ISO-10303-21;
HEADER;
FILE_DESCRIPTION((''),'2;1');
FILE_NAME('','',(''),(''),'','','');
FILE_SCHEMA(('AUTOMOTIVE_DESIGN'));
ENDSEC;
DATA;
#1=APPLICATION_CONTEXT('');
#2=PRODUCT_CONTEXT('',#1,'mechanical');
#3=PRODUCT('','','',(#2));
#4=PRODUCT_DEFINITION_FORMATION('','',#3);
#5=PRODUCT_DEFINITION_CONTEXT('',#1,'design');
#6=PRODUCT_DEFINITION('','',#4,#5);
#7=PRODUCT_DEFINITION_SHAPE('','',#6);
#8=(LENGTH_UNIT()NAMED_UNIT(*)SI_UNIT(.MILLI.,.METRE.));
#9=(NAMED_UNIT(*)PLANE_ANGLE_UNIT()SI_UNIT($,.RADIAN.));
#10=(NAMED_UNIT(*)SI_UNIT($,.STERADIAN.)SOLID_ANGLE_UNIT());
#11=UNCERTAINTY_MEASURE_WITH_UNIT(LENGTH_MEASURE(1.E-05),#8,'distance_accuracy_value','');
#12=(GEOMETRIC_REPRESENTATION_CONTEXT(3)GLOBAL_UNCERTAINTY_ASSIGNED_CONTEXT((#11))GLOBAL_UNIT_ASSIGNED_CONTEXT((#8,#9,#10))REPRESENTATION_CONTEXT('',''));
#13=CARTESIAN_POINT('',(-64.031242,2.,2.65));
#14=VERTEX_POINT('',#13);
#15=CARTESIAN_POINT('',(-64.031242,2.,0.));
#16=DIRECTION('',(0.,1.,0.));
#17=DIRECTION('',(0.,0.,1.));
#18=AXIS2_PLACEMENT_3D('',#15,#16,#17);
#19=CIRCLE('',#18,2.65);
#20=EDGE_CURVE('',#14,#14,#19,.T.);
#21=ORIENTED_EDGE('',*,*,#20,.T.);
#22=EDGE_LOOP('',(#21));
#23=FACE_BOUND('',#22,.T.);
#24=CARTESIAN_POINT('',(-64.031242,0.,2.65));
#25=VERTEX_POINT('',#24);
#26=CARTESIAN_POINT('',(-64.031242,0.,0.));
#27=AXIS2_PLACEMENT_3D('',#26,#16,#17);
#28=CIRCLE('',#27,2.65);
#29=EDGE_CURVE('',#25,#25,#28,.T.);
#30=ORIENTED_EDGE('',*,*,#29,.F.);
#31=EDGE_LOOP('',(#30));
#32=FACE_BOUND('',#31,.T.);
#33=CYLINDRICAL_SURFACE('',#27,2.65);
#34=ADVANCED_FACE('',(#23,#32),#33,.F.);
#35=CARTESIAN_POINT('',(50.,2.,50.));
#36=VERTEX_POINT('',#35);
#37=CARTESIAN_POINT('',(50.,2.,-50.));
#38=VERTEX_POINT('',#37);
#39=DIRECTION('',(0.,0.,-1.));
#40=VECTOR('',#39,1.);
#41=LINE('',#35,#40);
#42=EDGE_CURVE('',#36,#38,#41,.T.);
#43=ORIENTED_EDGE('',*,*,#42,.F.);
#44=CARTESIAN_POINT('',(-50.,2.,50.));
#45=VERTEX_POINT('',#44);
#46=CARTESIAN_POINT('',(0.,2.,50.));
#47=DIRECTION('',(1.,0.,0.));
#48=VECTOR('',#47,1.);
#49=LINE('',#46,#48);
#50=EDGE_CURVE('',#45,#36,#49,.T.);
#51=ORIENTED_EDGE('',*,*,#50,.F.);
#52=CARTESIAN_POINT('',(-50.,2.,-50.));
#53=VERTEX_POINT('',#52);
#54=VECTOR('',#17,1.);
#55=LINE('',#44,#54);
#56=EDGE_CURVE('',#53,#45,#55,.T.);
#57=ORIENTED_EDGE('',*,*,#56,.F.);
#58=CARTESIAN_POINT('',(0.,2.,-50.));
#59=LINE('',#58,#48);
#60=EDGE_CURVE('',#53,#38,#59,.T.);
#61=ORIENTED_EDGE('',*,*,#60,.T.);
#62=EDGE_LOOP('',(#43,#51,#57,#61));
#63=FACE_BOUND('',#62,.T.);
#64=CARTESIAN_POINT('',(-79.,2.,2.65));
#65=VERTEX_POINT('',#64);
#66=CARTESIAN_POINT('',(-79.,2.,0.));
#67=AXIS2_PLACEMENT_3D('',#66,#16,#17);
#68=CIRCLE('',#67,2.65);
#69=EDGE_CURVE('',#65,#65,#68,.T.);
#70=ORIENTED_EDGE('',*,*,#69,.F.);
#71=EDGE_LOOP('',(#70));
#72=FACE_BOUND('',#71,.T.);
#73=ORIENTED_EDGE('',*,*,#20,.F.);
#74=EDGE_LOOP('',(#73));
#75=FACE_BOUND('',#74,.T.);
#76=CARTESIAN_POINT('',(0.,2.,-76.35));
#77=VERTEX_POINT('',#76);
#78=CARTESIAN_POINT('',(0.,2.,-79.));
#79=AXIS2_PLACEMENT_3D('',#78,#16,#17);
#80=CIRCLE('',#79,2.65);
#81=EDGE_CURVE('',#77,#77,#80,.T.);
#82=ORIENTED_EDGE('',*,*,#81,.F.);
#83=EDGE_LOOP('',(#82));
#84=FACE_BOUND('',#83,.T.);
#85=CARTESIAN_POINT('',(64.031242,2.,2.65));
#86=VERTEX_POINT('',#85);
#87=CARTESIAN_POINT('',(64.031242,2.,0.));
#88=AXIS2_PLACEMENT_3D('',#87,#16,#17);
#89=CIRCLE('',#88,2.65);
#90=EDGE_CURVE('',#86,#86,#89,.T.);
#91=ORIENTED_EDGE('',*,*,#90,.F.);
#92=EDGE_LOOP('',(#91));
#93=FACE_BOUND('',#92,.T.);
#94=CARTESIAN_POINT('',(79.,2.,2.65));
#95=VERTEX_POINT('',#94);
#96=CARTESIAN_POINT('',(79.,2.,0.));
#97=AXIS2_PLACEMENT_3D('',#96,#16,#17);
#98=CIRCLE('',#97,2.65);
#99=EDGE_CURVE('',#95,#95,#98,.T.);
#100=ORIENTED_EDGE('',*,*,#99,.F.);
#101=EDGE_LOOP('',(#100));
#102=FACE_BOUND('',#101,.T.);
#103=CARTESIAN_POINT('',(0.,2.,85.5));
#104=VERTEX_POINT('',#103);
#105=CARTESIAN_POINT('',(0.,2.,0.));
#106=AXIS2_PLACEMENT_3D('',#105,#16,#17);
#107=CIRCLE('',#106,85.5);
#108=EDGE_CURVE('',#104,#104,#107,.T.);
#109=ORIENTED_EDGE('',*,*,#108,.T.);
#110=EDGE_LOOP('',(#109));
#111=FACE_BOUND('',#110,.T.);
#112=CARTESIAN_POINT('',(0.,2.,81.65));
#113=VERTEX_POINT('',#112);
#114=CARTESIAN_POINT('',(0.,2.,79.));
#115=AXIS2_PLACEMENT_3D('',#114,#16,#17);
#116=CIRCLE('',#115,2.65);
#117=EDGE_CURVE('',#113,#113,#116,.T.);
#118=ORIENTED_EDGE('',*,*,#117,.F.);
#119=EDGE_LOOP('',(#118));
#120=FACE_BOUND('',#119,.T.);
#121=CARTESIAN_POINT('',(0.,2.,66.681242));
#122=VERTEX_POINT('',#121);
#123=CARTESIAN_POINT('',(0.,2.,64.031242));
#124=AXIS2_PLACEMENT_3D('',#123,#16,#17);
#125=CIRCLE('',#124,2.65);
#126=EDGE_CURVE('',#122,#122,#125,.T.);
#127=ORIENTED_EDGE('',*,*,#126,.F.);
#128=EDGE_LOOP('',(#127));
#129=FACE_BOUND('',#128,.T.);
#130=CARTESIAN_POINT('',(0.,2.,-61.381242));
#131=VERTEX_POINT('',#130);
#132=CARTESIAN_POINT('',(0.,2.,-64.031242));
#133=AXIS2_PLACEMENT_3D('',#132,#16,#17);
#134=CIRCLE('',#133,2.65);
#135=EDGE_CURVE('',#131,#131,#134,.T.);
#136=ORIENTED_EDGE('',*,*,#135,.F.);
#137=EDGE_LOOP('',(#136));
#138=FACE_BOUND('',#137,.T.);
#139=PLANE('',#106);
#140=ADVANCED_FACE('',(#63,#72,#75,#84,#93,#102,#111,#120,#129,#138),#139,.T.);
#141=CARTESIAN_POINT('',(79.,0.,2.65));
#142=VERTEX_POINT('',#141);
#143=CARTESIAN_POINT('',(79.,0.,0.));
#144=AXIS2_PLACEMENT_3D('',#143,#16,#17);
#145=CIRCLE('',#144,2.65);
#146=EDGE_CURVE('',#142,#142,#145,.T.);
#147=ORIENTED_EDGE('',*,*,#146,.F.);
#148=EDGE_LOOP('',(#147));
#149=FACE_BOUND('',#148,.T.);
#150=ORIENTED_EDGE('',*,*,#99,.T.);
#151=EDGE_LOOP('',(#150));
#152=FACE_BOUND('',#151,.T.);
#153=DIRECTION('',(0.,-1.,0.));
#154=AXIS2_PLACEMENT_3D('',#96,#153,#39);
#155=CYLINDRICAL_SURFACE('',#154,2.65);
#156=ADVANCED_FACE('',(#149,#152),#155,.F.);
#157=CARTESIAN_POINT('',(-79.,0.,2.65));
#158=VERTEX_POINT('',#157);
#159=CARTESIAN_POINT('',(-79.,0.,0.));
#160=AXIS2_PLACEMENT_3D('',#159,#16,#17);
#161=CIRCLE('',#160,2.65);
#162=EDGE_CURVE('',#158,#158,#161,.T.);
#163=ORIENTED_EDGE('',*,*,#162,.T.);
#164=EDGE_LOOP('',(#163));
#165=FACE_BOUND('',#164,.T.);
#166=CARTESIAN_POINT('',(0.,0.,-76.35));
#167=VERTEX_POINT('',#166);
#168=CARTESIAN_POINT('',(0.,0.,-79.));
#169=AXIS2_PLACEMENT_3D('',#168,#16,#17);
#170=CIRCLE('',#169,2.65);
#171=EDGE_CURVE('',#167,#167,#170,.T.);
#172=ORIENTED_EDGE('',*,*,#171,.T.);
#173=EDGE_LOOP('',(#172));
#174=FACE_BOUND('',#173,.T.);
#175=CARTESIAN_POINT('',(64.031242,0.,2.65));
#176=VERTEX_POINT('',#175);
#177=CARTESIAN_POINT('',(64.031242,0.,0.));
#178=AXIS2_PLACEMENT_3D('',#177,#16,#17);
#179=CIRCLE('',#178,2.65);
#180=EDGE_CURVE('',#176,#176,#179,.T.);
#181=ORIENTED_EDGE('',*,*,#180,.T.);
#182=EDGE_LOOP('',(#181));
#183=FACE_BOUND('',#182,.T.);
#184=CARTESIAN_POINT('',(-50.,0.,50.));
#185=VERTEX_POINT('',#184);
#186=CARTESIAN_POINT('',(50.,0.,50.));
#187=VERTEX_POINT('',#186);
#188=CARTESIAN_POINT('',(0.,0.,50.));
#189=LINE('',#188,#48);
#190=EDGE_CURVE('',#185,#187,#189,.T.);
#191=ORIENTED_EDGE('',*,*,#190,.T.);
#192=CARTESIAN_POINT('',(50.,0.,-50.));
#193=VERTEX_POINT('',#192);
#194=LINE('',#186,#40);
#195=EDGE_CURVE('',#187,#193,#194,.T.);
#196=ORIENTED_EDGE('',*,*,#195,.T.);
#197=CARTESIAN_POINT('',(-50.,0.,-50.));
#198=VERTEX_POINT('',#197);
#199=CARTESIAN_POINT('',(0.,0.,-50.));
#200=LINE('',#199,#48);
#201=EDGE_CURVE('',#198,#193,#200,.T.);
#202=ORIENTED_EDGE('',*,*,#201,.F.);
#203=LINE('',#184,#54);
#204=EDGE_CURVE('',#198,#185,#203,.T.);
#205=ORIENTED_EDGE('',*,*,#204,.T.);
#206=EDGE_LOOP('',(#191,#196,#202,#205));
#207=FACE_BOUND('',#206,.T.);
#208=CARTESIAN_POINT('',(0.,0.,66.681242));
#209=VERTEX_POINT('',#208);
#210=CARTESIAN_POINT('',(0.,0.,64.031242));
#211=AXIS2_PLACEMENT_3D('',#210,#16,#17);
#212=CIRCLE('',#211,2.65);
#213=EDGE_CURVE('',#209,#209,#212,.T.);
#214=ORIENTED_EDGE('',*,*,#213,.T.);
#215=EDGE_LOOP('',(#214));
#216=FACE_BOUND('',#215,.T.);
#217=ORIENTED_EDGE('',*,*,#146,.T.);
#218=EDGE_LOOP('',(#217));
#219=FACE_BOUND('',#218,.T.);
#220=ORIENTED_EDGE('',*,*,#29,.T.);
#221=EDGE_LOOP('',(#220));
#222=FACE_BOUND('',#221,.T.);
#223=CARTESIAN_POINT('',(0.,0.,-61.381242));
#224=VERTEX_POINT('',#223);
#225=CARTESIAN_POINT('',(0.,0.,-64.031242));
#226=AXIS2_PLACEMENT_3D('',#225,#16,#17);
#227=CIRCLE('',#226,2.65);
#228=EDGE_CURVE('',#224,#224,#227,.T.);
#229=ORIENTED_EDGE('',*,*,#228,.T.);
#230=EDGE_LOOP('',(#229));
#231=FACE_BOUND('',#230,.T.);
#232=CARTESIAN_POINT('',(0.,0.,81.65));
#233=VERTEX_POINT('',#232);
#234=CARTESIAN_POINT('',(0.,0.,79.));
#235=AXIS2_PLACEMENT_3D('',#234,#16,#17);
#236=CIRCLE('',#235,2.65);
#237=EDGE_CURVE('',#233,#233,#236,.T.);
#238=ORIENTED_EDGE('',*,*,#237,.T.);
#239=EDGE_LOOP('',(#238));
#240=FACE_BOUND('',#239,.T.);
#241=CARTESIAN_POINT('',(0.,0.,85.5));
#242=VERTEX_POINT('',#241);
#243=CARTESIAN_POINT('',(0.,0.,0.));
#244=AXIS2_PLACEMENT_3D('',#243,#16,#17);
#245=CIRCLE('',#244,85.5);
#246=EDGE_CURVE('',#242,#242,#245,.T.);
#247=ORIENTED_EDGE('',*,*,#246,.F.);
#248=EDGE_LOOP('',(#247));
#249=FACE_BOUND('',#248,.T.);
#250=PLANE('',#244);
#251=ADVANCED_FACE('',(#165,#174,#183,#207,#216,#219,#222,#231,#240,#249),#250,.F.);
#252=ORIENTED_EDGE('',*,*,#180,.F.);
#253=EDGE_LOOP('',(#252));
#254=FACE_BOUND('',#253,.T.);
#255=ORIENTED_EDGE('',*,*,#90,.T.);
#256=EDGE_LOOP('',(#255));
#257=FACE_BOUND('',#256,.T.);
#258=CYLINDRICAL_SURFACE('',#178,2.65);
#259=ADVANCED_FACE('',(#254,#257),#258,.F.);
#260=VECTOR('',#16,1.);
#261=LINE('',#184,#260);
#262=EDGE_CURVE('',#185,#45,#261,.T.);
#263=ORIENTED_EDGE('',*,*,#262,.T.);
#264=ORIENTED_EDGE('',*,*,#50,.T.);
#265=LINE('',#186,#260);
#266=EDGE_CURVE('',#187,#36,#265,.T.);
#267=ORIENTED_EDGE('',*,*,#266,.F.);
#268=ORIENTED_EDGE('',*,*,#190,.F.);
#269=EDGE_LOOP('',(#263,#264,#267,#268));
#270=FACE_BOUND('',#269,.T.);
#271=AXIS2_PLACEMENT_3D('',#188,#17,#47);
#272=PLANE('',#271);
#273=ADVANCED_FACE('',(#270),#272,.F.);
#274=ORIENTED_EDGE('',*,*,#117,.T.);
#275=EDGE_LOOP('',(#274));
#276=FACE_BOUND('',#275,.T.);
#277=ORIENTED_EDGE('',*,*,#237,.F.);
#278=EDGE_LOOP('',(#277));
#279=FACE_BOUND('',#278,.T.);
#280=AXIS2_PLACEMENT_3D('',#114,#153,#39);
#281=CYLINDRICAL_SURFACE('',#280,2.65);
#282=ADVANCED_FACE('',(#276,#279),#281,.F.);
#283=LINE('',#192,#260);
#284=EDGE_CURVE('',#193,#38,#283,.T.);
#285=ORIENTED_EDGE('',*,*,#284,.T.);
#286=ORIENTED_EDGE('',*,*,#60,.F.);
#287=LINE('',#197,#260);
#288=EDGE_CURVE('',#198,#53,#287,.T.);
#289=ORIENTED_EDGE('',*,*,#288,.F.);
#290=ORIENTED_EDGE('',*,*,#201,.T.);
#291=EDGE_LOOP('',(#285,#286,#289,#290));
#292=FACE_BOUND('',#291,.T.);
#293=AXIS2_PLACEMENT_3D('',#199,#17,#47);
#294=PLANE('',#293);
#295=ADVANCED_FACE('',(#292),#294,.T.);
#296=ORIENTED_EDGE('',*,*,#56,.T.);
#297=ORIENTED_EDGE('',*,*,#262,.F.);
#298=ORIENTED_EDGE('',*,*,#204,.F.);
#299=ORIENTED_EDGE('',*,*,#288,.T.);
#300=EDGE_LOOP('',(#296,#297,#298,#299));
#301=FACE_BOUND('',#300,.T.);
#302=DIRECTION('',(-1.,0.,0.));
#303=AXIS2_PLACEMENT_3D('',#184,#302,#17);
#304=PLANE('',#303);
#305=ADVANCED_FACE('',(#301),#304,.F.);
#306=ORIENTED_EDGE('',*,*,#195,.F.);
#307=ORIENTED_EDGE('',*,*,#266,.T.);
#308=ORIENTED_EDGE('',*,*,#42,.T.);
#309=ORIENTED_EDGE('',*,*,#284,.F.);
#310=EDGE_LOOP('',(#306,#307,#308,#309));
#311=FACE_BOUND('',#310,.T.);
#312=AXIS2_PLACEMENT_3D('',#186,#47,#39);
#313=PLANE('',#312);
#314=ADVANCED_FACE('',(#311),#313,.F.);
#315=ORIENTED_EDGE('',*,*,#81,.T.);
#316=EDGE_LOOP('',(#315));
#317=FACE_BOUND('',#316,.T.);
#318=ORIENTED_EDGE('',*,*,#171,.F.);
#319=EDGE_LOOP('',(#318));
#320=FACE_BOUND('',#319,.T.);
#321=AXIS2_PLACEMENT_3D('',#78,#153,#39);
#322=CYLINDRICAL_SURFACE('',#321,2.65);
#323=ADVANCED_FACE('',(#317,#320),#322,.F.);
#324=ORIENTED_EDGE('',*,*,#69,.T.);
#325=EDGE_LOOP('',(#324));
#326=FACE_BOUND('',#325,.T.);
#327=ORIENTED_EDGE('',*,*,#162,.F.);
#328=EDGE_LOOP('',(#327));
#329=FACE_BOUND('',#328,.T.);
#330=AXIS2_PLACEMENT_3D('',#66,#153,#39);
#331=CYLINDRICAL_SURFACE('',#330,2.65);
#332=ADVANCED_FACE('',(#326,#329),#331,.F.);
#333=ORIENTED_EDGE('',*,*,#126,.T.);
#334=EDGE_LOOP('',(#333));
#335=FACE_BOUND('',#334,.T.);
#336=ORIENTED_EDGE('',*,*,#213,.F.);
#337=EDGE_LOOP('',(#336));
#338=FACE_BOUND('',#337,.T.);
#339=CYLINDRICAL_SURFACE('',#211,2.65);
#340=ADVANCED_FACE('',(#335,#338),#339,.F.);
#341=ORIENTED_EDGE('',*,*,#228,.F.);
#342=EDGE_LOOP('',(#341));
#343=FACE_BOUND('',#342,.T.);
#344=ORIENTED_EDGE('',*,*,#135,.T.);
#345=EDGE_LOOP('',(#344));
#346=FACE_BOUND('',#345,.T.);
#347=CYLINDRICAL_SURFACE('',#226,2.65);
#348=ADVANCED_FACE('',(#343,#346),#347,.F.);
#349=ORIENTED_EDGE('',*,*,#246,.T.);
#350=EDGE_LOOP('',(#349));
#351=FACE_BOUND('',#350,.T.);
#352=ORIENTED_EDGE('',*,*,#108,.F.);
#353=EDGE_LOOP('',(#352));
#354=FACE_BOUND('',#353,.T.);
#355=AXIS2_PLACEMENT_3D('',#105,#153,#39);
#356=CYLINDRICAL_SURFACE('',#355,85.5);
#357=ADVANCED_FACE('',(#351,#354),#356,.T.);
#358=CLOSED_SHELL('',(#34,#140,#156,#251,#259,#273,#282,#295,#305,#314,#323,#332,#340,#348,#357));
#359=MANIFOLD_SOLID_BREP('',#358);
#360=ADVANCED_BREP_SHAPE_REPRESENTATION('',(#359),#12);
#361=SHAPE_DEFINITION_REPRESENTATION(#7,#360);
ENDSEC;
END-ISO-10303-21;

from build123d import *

# Parameters (mm, degrees)
SKETCH_1_R          = 85.5
SKETCH_1_R_2        = 2.65
EXTRUDE_1_DEPTH     = 2
SKETCH_2_W          = 40
SKETCH_2_H          = 100
CUT_EXTRUDE_2_DEPTH = 2
SKETCH_4_R          = 2.65
CUT_EXTRUDE_3_DEPTH = 2
SKETCH_5_W          = 100
SKETCH_5_H          = 100
CUT_EXTRUDE_4_DEPTH = 2


with BuildPart() as part:
    # 草图1 → 凸台-拉伸1 (new body)
    with BuildSketch(Plane(origin=(0, 0, 0), x_dir=(1, 0, 0), z_dir=(0, 1, 0))):
        with Locations(Location((0, 0, 0), (0, 0, 270))):
            Circle(SKETCH_1_R)
        with Locations(Location((0, 79, 0), (0, 0, 270))):
            Circle(SKETCH_1_R_2, mode=Mode.SUBTRACT)
        with Locations(Location((79, 0, 0), (0, 0, 270))):
            Circle(SKETCH_1_R_2, mode=Mode.SUBTRACT)
        with Locations(Location((0, -79, 0), (0, 0, 270))):
            Circle(SKETCH_1_R_2, mode=Mode.SUBTRACT)
        with Locations(Location((-79, 0, 0), (0, 0, 270))):
            Circle(SKETCH_1_R_2, mode=Mode.SUBTRACT)
    extrude(amount=EXTRUDE_1_DEPTH)

    # 草图2 → 切除-拉伸2 (cut)
    with BuildSketch(Plane(origin=(0, 2, 0), x_dir=(1, 0, 0), z_dir=(0, 1, 0))):
        with Locations((-20, 0)):
            Rectangle(SKETCH_2_W, SKETCH_2_H)
        with Locations((20, 0)):
            Rectangle(SKETCH_2_W, SKETCH_2_H)
    extrude(amount=-CUT_EXTRUDE_2_DEPTH, mode=Mode.SUBTRACT)

    # 草图4 → 切除-拉伸3 (cut)
    with BuildSketch(Plane(origin=(0, 2, 0), x_dir=(1, 0, 0), z_dir=(0, 1, 0))):
        with Locations(Location((0, 64.031242374, 0), (0, 0, 270))):
            Circle(SKETCH_4_R)
        with Locations(Location((64.031242374, 0, 0), (0, 0, 270))):
            Circle(SKETCH_4_R)
        with Locations(Location((0, -64.031242374, 0), (0, 0, 270))):
            Circle(SKETCH_4_R)
        with Locations(Location((-64.031242374, 0, 0), (0, 0, 270))):
            Circle(SKETCH_4_R)
    extrude(amount=-CUT_EXTRUDE_3_DEPTH, mode=Mode.SUBTRACT)

    # 草图5 → 切除-拉伸4 (cut)
    with BuildSketch(Plane(origin=(0, 2, 0), x_dir=(1, 0, 0), z_dir=(0, 1, 0))):
        Rectangle(SKETCH_5_W, SKETCH_5_H)
    extrude(amount=-CUT_EXTRUDE_4_DEPTH, mode=Mode.SUBTRACT)


solid = part.part
